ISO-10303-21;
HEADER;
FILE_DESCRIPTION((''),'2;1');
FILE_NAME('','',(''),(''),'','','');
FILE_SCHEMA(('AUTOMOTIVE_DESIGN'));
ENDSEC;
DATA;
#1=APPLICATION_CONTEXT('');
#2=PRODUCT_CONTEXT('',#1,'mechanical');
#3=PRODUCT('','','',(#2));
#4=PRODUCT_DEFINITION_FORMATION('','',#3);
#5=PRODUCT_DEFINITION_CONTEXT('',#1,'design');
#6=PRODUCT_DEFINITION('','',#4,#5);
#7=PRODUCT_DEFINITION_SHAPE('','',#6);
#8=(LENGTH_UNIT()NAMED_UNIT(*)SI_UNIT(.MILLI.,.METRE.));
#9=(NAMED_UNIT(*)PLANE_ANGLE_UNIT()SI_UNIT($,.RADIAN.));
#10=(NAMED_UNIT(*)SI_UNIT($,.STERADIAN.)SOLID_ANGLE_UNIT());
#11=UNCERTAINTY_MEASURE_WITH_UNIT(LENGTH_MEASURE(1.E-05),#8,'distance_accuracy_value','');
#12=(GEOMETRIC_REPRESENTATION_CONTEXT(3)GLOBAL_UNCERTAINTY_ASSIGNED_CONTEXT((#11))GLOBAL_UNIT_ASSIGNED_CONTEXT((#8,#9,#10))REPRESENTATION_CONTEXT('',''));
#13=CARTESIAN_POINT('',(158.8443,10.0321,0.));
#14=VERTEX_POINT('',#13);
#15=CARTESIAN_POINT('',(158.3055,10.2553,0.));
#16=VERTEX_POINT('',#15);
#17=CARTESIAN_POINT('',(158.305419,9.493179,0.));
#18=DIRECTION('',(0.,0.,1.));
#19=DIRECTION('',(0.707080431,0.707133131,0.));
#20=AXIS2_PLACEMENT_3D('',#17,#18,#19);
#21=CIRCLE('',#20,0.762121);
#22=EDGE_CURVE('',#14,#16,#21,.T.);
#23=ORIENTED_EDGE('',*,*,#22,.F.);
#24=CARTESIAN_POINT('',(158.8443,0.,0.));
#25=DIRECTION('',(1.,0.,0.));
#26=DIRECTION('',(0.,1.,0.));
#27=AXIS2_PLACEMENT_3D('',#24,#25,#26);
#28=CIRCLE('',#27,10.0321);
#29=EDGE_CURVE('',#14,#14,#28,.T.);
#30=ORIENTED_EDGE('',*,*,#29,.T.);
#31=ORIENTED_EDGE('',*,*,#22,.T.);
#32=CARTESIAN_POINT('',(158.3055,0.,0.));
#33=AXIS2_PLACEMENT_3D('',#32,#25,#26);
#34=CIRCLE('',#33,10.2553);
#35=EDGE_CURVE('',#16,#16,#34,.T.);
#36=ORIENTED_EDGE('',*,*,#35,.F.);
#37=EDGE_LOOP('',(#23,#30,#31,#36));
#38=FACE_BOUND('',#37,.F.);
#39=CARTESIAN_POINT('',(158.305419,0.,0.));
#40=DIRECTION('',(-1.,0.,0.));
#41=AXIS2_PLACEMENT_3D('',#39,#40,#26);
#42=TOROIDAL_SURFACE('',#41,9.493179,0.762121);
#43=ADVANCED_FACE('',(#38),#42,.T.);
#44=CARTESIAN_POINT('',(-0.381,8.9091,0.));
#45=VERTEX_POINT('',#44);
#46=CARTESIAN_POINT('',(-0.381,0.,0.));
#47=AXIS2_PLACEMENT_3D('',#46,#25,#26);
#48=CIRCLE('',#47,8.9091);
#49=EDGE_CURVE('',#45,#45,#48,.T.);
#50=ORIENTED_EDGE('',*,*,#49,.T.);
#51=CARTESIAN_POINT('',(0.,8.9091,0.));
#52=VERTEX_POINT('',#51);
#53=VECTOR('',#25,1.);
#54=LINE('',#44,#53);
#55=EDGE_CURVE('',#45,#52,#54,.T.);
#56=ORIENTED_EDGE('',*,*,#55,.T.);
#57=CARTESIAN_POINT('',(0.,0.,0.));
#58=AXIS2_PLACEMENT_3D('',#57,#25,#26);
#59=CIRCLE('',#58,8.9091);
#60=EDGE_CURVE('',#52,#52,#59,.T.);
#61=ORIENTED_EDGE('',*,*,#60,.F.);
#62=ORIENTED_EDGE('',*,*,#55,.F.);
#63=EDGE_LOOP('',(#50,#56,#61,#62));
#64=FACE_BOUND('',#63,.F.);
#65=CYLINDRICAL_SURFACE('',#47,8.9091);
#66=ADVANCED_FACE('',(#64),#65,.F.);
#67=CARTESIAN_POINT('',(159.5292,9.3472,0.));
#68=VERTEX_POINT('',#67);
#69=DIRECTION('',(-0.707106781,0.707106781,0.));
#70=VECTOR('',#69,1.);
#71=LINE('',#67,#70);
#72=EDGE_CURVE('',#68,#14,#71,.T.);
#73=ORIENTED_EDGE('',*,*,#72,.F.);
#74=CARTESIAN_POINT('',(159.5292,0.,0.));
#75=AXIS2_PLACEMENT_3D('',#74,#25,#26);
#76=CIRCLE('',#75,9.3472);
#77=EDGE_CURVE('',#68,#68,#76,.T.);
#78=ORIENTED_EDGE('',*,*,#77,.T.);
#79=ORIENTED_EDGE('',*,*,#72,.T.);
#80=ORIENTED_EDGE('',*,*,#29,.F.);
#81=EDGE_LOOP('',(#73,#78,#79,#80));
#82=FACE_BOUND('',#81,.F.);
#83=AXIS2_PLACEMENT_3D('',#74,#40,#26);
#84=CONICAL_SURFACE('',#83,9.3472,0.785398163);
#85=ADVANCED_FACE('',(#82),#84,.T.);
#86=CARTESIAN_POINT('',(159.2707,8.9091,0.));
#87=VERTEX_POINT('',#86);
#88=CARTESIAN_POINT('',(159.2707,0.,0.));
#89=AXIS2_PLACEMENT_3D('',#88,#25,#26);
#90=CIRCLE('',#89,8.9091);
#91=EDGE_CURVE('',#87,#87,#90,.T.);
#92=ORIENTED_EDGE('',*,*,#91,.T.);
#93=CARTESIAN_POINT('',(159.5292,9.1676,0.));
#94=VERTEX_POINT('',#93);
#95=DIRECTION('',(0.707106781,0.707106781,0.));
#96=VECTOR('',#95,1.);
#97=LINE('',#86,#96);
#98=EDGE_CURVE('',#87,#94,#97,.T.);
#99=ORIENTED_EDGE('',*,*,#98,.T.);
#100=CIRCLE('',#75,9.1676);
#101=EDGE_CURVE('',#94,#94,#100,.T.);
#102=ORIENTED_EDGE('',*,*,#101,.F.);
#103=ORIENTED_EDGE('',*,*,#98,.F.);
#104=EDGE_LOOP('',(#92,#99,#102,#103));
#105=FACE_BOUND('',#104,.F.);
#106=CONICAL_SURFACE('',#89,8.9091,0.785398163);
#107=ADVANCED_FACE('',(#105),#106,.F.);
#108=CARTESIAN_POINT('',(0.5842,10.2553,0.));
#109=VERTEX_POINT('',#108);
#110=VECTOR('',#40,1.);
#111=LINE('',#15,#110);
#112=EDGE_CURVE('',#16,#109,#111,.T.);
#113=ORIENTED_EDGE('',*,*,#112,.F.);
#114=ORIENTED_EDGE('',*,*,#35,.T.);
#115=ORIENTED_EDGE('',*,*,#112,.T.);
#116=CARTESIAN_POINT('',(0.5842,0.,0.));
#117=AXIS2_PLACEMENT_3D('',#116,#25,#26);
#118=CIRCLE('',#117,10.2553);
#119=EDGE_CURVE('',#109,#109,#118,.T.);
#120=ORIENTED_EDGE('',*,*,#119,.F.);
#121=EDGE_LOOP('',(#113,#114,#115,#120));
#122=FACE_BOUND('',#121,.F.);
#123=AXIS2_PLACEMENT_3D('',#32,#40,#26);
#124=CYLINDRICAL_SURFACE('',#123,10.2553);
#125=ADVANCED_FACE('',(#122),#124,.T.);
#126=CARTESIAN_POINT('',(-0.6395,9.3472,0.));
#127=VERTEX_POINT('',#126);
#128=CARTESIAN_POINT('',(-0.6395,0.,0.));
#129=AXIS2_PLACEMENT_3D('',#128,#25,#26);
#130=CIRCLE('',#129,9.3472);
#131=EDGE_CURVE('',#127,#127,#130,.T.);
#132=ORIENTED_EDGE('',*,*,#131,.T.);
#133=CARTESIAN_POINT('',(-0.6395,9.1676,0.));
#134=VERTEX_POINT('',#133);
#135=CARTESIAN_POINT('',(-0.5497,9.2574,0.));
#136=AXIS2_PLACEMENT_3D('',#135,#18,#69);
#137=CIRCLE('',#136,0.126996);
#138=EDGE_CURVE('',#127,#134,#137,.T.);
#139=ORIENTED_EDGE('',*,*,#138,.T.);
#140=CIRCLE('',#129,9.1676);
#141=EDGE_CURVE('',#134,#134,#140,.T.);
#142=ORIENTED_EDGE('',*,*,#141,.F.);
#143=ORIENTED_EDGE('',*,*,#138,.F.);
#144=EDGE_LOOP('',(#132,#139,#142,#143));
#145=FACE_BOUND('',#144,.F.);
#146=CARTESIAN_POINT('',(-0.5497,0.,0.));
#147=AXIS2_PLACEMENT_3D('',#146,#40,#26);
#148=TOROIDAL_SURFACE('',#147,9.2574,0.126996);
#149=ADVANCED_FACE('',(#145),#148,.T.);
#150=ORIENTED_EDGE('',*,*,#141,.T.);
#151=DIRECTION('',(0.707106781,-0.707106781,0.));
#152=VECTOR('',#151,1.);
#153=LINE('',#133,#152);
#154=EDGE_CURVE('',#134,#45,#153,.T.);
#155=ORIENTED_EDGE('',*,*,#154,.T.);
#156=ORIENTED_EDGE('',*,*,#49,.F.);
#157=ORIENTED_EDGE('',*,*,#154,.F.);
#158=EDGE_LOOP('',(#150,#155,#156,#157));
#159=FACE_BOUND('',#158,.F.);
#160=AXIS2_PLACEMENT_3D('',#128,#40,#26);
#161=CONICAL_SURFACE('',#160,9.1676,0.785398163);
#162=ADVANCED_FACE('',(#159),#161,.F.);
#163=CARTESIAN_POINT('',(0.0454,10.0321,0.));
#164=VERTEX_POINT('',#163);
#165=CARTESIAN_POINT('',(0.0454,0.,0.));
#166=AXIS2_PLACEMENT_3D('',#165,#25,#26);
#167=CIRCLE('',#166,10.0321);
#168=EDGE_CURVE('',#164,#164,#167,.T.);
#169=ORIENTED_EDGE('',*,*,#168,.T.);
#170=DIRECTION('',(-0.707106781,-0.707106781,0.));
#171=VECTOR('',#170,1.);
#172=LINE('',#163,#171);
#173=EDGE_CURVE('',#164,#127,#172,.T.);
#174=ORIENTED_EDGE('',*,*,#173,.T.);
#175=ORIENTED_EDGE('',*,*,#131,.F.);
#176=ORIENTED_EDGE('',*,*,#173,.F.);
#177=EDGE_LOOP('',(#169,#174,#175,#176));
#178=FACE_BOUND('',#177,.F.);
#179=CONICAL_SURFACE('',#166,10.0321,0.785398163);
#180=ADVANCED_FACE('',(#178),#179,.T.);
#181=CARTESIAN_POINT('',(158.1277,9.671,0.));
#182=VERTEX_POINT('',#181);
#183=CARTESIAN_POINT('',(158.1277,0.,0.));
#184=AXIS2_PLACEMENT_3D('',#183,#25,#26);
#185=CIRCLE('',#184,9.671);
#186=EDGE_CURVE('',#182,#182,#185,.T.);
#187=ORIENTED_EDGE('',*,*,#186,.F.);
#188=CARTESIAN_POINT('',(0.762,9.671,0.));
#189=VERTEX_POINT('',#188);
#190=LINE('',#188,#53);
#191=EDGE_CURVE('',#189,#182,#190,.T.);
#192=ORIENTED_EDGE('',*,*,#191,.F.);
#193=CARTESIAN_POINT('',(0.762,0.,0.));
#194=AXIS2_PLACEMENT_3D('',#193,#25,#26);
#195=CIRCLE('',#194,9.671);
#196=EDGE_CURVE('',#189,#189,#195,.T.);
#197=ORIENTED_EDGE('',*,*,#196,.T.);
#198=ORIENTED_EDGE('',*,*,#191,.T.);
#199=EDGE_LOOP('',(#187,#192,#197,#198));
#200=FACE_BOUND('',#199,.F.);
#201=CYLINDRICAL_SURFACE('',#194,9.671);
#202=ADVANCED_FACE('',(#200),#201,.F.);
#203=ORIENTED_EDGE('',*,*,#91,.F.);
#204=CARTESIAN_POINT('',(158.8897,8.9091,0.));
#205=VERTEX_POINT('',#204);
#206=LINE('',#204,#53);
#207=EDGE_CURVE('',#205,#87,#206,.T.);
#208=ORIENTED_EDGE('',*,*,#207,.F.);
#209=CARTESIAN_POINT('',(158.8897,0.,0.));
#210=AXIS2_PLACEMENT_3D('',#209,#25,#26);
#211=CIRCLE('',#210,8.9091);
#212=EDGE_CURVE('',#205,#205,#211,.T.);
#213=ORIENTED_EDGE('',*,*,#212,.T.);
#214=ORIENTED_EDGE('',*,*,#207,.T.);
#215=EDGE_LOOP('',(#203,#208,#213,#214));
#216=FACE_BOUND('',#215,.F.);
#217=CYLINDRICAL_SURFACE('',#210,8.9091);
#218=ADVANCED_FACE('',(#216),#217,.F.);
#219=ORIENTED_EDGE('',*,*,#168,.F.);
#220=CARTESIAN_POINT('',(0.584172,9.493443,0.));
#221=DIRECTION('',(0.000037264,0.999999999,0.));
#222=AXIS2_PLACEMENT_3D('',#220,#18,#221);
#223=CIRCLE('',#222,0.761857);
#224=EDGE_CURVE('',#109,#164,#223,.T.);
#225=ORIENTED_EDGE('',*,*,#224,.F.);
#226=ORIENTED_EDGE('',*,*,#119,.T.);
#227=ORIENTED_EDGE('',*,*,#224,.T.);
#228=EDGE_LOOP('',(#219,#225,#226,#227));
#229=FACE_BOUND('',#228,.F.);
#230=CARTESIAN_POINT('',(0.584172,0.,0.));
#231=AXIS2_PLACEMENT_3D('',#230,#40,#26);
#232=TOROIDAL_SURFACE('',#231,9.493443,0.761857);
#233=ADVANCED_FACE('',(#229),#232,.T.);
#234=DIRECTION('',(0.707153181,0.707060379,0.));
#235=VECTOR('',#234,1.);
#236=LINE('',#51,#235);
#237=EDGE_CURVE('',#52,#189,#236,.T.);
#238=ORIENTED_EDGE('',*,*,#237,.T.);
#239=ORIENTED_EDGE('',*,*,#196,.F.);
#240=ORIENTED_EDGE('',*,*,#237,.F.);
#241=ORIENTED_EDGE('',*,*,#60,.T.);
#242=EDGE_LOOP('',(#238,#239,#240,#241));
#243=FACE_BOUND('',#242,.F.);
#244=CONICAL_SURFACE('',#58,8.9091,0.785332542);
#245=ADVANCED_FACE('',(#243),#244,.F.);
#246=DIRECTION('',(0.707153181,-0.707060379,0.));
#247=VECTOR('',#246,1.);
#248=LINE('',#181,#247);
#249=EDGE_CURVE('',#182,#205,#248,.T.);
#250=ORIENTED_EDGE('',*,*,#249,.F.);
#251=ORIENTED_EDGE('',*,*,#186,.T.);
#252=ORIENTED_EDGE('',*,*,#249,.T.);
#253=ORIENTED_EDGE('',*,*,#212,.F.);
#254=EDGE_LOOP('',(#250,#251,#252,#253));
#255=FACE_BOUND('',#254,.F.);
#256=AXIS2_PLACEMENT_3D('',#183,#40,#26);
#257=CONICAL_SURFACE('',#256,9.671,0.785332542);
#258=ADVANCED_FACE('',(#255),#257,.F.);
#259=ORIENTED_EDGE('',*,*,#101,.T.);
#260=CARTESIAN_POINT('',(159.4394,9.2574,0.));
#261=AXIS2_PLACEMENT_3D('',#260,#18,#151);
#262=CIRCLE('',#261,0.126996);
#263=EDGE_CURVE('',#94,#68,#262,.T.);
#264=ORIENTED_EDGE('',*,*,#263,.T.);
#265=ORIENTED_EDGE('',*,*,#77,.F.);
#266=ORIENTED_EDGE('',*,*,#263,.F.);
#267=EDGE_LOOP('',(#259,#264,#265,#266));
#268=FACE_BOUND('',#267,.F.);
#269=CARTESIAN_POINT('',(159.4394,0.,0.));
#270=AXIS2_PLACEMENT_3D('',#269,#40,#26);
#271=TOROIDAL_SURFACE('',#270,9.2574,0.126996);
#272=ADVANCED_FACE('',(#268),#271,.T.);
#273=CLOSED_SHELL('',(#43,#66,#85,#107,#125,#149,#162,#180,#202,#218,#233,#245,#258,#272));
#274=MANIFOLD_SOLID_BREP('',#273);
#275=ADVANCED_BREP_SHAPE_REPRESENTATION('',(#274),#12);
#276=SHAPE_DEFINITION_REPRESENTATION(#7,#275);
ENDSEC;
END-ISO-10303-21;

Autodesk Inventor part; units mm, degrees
sketch "Sketch_1" plane through (0, 0, 0) normal (0, 0, 1) x (1, 0, 0)
  line L0 (158.8897, 0) -> (0, 0)
  arc A0 (-0.6395, 9.3472) -> (-0.6395, 9.1676) centre (-0.5497, 9.2574) ccw
  line L1 (-0.6395, 9.1676) -> (-0.381, 8.9091)
  line L2 (-0.381, 8.9091) -> (0, 8.9091)
  line L3 (0, 8.9091) -> (0.762, 9.671)
  line L4 (0.762, 9.671) -> (158.1277, 9.671)
  line L5 (158.1277, 9.671) -> (158.8897, 8.9091)
  line L6 (158.8897, 8.9091) -> (159.2707, 8.9091)
  line L7 (159.2707, 8.9091) -> (159.5292, 9.1676)
  arc A1 (159.5292, 9.1676) -> (159.5292, 9.3472) centre (159.4394, 9.2574) ccw
  line L8 (159.5292, 9.3472) -> (158.8443, 10.0321)
  arc A2 (158.8443, 10.0321) -> (158.3055, 10.2553) centre (158.3055, 9.4933) ccw
  line L9 (158.3055, 10.2553) -> (0.5842, 10.2553)
  arc A3 (0.5842, 10.2553) -> (0.0454, 10.0321) centre (0.5842, 9.4933) ccw
  line L10 (0.0454, 10.0321) -> (-0.6395, 9.3472)
revolve "Revolution1" add sketch "Sketch_1" angle 360 about axis through (158.8897, 0, 0) along (1, 0, 0)
ref_plane "cp1_XY" through (79.4449, 10.2553, 0) normal (1, 0, 0) x (0, 0, -1)
ref_plane "cp1_YZ" through (79.4449, 10.2553, 0) normal (0, 0, -1) x (0, 1, 0)
ref_plane "cp1_ZX" through (79.4449, 10.2553, 0) normal (0, 1, 0) x (1, 0, 0)
ref_plane "cp2_XY" through (79.4449, 0, -10.2553) normal (1, 0, 0) x (0, 0, -1)
ref_plane "cp2_YZ" through (79.4449, 0, -10.2553) normal (0, 0, -1) x (0, 1, 0)
ref_plane "cp2_ZX" through (79.4449, 0, -10.2553) normal (0, 1, 0) x (1, 0, 0)
ref_plane "cp3_XY" through (79.4449, -10.2553, 0) normal (1, 0, 0) x (0, 0, -1)
ref_plane "cp3_YZ" through (79.4449, -10.2553, 0) normal (0, 0, -1) x (0, 1, 0)
ref_plane "cp3_ZX" through (79.4449, -10.2553, 0) normal (0, 1, 0) x (1, 0, 0)
ref_plane "cp4_XY" through (79.4449, 0, 10.2553) normal (1, 0, 0) x (0, 0, -1)
ref_plane "cp4_YZ" through (79.4449, 0, 10.2553) normal (0, 0, -1) x (0, 1, 0)
ref_plane "cp4_ZX" through (79.4449, 0, 10.2553) normal (0, 1, 0) x (1, 0, 0)
ref_plane "tube_front_XY" through (0, 0, 0) normal (1, 0, 0) x (0, 0, -1)
ref_plane "tube_front_YZ" through (0, 0, 0) normal (0, 0, -1) x (0, 1, 0)
ref_plane "tube_front_ZX" through (0, 0, 0) normal (0, 1, 0) x (1, 0, 0)
ref_plane "tube_rear_XY" through (158.8897, 0, 0) normal (1, 0, 0) x (0, 0, -1)
ref_plane "tube_rear_YZ" through (158.8897, 0, 0) normal (0, 0, -1) x (0, 1, 0)
ref_plane "tube_rear_ZX" through (158.8897, 0, 0) normal (0, 1, 0) x (1, 0, 0)
properties part number "04R-6.25550C" material "Aluminum 6061"
